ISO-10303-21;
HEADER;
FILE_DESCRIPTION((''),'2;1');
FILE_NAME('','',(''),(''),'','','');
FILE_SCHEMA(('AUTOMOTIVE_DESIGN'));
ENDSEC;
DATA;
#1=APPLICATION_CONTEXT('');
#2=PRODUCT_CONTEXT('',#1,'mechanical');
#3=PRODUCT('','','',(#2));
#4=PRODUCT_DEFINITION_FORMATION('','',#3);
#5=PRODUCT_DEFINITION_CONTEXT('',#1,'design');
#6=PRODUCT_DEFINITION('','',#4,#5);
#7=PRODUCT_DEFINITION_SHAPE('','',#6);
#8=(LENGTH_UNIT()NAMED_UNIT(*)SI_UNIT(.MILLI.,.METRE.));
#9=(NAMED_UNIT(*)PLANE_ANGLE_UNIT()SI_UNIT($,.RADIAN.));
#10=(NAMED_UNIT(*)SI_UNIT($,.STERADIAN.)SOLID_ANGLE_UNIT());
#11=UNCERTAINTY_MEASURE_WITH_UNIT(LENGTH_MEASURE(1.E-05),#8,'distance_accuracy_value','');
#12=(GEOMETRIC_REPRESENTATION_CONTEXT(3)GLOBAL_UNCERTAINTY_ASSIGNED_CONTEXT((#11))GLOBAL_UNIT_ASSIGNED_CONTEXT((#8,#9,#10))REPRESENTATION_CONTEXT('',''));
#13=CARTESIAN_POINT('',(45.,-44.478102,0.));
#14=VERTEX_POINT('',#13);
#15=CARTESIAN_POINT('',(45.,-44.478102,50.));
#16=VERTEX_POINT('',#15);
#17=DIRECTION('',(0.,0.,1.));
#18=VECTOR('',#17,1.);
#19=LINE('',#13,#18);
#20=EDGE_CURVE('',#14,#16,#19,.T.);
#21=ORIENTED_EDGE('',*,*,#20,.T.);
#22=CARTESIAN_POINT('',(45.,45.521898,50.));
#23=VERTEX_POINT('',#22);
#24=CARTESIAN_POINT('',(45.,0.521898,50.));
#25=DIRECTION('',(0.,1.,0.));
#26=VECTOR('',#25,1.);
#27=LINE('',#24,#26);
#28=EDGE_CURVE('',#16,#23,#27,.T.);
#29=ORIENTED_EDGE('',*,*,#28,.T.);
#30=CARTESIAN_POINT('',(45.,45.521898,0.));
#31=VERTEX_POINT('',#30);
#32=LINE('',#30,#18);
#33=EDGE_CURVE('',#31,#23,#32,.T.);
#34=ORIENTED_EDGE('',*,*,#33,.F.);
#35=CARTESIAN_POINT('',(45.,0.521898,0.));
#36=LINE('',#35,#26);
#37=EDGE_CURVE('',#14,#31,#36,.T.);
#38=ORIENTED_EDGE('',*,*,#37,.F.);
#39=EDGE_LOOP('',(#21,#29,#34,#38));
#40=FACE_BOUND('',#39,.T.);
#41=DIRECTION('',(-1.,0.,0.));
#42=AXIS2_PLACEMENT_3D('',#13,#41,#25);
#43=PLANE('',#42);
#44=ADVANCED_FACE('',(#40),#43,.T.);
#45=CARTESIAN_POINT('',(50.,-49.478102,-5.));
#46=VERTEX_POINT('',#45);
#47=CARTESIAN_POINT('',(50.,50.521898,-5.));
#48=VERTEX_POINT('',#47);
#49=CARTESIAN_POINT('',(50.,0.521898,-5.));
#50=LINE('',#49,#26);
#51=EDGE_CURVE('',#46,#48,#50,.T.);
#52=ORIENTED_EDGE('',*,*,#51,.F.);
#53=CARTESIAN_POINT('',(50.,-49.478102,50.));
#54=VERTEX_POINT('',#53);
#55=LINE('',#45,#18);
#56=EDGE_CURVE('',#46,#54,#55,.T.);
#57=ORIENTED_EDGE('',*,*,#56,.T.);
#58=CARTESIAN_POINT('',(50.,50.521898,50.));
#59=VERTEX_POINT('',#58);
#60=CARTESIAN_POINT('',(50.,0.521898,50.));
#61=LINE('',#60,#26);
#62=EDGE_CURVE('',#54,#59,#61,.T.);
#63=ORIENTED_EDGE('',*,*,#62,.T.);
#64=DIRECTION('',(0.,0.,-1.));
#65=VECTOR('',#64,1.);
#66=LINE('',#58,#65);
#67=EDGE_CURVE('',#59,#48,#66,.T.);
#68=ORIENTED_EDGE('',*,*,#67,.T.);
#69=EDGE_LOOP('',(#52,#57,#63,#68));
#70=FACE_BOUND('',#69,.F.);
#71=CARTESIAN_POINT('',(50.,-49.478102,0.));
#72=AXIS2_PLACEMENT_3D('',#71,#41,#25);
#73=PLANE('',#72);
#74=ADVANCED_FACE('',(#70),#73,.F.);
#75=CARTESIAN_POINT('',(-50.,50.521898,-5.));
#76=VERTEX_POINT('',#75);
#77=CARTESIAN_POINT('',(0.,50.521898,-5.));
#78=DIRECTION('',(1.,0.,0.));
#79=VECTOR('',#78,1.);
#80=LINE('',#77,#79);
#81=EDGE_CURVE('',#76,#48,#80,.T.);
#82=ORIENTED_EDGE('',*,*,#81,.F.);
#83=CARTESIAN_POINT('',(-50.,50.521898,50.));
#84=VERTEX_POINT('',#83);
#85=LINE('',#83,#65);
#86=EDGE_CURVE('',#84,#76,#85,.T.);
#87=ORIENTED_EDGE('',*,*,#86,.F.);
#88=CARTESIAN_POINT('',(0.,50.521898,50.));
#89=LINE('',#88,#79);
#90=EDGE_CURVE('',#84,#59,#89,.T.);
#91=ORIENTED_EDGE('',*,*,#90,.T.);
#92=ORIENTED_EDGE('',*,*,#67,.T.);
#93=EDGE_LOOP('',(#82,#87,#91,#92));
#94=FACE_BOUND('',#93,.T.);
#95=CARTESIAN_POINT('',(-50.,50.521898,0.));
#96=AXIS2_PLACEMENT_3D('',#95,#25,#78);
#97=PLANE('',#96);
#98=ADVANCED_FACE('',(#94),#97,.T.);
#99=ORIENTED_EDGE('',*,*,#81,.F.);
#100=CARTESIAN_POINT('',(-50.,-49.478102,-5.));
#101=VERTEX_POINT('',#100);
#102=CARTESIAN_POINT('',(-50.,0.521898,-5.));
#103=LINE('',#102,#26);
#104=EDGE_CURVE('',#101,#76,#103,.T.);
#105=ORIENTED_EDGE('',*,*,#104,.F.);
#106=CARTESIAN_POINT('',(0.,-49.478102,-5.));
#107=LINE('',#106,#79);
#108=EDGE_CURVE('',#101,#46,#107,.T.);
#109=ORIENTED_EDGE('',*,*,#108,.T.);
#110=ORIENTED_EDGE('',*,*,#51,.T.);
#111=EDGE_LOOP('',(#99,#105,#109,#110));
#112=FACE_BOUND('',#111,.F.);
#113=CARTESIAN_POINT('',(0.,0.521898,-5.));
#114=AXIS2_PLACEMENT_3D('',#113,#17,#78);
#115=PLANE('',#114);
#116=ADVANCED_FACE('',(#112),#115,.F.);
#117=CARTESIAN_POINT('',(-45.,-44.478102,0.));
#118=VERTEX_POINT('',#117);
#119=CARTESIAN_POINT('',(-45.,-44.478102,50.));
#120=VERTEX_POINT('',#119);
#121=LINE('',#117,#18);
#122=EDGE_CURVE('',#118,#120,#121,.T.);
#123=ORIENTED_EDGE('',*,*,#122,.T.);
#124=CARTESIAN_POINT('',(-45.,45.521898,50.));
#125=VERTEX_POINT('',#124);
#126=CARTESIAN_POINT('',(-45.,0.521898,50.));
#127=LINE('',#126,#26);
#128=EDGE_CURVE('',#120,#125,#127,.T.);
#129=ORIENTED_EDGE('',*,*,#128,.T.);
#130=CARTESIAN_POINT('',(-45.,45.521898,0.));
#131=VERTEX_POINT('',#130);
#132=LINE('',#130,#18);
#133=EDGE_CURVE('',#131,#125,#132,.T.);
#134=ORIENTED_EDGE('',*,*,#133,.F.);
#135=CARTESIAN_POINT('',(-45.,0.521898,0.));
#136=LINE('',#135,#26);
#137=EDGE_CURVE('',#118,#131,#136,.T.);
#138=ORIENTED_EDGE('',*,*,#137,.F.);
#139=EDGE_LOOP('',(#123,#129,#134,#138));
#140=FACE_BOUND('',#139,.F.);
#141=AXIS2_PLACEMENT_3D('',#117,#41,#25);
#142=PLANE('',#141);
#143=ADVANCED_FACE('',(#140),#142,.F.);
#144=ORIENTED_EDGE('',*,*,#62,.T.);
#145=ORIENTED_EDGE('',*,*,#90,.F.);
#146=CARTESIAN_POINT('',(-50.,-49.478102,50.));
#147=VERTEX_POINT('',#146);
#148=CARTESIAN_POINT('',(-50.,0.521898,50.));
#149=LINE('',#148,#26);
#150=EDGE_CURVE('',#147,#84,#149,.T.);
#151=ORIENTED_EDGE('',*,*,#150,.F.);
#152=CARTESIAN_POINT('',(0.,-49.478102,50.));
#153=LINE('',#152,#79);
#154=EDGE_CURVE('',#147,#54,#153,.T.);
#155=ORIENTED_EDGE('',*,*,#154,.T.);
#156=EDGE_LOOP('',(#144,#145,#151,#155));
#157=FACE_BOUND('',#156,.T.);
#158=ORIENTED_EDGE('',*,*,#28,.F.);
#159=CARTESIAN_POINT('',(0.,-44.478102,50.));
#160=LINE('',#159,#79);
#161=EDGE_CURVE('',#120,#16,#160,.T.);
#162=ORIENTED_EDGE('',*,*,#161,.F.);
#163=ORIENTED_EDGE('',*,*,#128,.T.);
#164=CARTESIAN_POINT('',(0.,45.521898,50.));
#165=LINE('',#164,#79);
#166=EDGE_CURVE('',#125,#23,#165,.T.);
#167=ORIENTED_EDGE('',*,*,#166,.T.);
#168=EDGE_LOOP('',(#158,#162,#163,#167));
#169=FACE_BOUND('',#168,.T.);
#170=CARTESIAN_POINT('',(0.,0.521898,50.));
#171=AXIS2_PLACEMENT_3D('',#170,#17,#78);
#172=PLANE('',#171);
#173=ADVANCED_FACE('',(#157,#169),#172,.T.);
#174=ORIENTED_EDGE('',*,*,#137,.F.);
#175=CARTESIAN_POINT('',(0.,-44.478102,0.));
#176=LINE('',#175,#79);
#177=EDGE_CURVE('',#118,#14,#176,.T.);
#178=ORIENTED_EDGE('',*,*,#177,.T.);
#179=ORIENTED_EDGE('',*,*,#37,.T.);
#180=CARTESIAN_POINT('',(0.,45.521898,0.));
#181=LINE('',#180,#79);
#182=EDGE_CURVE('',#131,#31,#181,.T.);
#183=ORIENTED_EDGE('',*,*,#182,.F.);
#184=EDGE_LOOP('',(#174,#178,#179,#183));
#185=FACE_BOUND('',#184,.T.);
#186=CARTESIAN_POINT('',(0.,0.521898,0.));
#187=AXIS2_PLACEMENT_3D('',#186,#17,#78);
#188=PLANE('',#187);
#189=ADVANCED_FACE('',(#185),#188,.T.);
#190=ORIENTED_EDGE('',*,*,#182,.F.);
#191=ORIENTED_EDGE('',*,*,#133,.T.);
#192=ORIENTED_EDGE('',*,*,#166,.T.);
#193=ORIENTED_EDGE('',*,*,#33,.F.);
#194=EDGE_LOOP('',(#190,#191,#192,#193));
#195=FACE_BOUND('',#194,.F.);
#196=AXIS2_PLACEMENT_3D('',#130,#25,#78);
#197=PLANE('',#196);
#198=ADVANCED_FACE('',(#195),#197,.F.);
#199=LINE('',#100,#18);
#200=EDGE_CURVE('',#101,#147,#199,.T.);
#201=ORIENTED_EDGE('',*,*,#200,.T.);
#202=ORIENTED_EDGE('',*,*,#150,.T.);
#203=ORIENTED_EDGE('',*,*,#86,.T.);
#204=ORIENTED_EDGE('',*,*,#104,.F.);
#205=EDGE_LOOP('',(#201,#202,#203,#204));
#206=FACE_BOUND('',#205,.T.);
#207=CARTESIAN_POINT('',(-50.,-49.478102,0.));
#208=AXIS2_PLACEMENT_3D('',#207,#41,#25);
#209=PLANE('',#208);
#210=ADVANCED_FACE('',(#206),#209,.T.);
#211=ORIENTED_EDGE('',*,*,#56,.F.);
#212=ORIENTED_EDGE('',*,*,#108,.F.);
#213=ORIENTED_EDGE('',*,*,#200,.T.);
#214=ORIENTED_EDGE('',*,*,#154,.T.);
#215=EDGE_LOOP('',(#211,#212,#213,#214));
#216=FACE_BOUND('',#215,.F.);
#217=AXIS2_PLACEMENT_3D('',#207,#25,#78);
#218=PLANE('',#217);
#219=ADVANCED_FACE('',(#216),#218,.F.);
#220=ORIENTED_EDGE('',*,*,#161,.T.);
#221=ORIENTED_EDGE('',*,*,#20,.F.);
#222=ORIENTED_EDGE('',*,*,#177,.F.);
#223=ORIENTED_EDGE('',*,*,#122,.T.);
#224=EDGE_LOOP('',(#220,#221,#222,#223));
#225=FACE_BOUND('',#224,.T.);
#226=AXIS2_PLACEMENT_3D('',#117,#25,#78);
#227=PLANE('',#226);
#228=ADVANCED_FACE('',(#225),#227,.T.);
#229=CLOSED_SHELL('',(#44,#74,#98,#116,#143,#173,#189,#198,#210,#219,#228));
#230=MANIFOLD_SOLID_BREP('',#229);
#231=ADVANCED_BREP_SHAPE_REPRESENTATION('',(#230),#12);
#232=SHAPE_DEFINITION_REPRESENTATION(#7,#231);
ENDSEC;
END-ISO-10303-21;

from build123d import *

# Parameters (mm, degrees)
F0_W     = 100
F0_H     = 100
F1_DEPTH = 5
F2_W     = 100
F2_H     = 100
F2_W_2   = 90
F2_H_2   = 90
F3_DEPTH = 50


with BuildPart() as f1:
    # F0 (on Top) → F1 (new body)
    with BuildSketch(Plane.XY):
        with Locations((0, 0.521898)):
            Rectangle(F0_W, F0_H)
    extrude(amount=-F1_DEPTH)

    # F2 (on face) → F3 (join)
    with BuildSketch(Plane.XY):
        with Locations((0, 0.521898)):
            Rectangle(F2_W, F2_H)
        with Locations((0, 0.521898)):
            Rectangle(F2_W_2, F2_H_2, mode=Mode.SUBTRACT)
    extrude(amount=F3_DEPTH)


solid = f1.part
